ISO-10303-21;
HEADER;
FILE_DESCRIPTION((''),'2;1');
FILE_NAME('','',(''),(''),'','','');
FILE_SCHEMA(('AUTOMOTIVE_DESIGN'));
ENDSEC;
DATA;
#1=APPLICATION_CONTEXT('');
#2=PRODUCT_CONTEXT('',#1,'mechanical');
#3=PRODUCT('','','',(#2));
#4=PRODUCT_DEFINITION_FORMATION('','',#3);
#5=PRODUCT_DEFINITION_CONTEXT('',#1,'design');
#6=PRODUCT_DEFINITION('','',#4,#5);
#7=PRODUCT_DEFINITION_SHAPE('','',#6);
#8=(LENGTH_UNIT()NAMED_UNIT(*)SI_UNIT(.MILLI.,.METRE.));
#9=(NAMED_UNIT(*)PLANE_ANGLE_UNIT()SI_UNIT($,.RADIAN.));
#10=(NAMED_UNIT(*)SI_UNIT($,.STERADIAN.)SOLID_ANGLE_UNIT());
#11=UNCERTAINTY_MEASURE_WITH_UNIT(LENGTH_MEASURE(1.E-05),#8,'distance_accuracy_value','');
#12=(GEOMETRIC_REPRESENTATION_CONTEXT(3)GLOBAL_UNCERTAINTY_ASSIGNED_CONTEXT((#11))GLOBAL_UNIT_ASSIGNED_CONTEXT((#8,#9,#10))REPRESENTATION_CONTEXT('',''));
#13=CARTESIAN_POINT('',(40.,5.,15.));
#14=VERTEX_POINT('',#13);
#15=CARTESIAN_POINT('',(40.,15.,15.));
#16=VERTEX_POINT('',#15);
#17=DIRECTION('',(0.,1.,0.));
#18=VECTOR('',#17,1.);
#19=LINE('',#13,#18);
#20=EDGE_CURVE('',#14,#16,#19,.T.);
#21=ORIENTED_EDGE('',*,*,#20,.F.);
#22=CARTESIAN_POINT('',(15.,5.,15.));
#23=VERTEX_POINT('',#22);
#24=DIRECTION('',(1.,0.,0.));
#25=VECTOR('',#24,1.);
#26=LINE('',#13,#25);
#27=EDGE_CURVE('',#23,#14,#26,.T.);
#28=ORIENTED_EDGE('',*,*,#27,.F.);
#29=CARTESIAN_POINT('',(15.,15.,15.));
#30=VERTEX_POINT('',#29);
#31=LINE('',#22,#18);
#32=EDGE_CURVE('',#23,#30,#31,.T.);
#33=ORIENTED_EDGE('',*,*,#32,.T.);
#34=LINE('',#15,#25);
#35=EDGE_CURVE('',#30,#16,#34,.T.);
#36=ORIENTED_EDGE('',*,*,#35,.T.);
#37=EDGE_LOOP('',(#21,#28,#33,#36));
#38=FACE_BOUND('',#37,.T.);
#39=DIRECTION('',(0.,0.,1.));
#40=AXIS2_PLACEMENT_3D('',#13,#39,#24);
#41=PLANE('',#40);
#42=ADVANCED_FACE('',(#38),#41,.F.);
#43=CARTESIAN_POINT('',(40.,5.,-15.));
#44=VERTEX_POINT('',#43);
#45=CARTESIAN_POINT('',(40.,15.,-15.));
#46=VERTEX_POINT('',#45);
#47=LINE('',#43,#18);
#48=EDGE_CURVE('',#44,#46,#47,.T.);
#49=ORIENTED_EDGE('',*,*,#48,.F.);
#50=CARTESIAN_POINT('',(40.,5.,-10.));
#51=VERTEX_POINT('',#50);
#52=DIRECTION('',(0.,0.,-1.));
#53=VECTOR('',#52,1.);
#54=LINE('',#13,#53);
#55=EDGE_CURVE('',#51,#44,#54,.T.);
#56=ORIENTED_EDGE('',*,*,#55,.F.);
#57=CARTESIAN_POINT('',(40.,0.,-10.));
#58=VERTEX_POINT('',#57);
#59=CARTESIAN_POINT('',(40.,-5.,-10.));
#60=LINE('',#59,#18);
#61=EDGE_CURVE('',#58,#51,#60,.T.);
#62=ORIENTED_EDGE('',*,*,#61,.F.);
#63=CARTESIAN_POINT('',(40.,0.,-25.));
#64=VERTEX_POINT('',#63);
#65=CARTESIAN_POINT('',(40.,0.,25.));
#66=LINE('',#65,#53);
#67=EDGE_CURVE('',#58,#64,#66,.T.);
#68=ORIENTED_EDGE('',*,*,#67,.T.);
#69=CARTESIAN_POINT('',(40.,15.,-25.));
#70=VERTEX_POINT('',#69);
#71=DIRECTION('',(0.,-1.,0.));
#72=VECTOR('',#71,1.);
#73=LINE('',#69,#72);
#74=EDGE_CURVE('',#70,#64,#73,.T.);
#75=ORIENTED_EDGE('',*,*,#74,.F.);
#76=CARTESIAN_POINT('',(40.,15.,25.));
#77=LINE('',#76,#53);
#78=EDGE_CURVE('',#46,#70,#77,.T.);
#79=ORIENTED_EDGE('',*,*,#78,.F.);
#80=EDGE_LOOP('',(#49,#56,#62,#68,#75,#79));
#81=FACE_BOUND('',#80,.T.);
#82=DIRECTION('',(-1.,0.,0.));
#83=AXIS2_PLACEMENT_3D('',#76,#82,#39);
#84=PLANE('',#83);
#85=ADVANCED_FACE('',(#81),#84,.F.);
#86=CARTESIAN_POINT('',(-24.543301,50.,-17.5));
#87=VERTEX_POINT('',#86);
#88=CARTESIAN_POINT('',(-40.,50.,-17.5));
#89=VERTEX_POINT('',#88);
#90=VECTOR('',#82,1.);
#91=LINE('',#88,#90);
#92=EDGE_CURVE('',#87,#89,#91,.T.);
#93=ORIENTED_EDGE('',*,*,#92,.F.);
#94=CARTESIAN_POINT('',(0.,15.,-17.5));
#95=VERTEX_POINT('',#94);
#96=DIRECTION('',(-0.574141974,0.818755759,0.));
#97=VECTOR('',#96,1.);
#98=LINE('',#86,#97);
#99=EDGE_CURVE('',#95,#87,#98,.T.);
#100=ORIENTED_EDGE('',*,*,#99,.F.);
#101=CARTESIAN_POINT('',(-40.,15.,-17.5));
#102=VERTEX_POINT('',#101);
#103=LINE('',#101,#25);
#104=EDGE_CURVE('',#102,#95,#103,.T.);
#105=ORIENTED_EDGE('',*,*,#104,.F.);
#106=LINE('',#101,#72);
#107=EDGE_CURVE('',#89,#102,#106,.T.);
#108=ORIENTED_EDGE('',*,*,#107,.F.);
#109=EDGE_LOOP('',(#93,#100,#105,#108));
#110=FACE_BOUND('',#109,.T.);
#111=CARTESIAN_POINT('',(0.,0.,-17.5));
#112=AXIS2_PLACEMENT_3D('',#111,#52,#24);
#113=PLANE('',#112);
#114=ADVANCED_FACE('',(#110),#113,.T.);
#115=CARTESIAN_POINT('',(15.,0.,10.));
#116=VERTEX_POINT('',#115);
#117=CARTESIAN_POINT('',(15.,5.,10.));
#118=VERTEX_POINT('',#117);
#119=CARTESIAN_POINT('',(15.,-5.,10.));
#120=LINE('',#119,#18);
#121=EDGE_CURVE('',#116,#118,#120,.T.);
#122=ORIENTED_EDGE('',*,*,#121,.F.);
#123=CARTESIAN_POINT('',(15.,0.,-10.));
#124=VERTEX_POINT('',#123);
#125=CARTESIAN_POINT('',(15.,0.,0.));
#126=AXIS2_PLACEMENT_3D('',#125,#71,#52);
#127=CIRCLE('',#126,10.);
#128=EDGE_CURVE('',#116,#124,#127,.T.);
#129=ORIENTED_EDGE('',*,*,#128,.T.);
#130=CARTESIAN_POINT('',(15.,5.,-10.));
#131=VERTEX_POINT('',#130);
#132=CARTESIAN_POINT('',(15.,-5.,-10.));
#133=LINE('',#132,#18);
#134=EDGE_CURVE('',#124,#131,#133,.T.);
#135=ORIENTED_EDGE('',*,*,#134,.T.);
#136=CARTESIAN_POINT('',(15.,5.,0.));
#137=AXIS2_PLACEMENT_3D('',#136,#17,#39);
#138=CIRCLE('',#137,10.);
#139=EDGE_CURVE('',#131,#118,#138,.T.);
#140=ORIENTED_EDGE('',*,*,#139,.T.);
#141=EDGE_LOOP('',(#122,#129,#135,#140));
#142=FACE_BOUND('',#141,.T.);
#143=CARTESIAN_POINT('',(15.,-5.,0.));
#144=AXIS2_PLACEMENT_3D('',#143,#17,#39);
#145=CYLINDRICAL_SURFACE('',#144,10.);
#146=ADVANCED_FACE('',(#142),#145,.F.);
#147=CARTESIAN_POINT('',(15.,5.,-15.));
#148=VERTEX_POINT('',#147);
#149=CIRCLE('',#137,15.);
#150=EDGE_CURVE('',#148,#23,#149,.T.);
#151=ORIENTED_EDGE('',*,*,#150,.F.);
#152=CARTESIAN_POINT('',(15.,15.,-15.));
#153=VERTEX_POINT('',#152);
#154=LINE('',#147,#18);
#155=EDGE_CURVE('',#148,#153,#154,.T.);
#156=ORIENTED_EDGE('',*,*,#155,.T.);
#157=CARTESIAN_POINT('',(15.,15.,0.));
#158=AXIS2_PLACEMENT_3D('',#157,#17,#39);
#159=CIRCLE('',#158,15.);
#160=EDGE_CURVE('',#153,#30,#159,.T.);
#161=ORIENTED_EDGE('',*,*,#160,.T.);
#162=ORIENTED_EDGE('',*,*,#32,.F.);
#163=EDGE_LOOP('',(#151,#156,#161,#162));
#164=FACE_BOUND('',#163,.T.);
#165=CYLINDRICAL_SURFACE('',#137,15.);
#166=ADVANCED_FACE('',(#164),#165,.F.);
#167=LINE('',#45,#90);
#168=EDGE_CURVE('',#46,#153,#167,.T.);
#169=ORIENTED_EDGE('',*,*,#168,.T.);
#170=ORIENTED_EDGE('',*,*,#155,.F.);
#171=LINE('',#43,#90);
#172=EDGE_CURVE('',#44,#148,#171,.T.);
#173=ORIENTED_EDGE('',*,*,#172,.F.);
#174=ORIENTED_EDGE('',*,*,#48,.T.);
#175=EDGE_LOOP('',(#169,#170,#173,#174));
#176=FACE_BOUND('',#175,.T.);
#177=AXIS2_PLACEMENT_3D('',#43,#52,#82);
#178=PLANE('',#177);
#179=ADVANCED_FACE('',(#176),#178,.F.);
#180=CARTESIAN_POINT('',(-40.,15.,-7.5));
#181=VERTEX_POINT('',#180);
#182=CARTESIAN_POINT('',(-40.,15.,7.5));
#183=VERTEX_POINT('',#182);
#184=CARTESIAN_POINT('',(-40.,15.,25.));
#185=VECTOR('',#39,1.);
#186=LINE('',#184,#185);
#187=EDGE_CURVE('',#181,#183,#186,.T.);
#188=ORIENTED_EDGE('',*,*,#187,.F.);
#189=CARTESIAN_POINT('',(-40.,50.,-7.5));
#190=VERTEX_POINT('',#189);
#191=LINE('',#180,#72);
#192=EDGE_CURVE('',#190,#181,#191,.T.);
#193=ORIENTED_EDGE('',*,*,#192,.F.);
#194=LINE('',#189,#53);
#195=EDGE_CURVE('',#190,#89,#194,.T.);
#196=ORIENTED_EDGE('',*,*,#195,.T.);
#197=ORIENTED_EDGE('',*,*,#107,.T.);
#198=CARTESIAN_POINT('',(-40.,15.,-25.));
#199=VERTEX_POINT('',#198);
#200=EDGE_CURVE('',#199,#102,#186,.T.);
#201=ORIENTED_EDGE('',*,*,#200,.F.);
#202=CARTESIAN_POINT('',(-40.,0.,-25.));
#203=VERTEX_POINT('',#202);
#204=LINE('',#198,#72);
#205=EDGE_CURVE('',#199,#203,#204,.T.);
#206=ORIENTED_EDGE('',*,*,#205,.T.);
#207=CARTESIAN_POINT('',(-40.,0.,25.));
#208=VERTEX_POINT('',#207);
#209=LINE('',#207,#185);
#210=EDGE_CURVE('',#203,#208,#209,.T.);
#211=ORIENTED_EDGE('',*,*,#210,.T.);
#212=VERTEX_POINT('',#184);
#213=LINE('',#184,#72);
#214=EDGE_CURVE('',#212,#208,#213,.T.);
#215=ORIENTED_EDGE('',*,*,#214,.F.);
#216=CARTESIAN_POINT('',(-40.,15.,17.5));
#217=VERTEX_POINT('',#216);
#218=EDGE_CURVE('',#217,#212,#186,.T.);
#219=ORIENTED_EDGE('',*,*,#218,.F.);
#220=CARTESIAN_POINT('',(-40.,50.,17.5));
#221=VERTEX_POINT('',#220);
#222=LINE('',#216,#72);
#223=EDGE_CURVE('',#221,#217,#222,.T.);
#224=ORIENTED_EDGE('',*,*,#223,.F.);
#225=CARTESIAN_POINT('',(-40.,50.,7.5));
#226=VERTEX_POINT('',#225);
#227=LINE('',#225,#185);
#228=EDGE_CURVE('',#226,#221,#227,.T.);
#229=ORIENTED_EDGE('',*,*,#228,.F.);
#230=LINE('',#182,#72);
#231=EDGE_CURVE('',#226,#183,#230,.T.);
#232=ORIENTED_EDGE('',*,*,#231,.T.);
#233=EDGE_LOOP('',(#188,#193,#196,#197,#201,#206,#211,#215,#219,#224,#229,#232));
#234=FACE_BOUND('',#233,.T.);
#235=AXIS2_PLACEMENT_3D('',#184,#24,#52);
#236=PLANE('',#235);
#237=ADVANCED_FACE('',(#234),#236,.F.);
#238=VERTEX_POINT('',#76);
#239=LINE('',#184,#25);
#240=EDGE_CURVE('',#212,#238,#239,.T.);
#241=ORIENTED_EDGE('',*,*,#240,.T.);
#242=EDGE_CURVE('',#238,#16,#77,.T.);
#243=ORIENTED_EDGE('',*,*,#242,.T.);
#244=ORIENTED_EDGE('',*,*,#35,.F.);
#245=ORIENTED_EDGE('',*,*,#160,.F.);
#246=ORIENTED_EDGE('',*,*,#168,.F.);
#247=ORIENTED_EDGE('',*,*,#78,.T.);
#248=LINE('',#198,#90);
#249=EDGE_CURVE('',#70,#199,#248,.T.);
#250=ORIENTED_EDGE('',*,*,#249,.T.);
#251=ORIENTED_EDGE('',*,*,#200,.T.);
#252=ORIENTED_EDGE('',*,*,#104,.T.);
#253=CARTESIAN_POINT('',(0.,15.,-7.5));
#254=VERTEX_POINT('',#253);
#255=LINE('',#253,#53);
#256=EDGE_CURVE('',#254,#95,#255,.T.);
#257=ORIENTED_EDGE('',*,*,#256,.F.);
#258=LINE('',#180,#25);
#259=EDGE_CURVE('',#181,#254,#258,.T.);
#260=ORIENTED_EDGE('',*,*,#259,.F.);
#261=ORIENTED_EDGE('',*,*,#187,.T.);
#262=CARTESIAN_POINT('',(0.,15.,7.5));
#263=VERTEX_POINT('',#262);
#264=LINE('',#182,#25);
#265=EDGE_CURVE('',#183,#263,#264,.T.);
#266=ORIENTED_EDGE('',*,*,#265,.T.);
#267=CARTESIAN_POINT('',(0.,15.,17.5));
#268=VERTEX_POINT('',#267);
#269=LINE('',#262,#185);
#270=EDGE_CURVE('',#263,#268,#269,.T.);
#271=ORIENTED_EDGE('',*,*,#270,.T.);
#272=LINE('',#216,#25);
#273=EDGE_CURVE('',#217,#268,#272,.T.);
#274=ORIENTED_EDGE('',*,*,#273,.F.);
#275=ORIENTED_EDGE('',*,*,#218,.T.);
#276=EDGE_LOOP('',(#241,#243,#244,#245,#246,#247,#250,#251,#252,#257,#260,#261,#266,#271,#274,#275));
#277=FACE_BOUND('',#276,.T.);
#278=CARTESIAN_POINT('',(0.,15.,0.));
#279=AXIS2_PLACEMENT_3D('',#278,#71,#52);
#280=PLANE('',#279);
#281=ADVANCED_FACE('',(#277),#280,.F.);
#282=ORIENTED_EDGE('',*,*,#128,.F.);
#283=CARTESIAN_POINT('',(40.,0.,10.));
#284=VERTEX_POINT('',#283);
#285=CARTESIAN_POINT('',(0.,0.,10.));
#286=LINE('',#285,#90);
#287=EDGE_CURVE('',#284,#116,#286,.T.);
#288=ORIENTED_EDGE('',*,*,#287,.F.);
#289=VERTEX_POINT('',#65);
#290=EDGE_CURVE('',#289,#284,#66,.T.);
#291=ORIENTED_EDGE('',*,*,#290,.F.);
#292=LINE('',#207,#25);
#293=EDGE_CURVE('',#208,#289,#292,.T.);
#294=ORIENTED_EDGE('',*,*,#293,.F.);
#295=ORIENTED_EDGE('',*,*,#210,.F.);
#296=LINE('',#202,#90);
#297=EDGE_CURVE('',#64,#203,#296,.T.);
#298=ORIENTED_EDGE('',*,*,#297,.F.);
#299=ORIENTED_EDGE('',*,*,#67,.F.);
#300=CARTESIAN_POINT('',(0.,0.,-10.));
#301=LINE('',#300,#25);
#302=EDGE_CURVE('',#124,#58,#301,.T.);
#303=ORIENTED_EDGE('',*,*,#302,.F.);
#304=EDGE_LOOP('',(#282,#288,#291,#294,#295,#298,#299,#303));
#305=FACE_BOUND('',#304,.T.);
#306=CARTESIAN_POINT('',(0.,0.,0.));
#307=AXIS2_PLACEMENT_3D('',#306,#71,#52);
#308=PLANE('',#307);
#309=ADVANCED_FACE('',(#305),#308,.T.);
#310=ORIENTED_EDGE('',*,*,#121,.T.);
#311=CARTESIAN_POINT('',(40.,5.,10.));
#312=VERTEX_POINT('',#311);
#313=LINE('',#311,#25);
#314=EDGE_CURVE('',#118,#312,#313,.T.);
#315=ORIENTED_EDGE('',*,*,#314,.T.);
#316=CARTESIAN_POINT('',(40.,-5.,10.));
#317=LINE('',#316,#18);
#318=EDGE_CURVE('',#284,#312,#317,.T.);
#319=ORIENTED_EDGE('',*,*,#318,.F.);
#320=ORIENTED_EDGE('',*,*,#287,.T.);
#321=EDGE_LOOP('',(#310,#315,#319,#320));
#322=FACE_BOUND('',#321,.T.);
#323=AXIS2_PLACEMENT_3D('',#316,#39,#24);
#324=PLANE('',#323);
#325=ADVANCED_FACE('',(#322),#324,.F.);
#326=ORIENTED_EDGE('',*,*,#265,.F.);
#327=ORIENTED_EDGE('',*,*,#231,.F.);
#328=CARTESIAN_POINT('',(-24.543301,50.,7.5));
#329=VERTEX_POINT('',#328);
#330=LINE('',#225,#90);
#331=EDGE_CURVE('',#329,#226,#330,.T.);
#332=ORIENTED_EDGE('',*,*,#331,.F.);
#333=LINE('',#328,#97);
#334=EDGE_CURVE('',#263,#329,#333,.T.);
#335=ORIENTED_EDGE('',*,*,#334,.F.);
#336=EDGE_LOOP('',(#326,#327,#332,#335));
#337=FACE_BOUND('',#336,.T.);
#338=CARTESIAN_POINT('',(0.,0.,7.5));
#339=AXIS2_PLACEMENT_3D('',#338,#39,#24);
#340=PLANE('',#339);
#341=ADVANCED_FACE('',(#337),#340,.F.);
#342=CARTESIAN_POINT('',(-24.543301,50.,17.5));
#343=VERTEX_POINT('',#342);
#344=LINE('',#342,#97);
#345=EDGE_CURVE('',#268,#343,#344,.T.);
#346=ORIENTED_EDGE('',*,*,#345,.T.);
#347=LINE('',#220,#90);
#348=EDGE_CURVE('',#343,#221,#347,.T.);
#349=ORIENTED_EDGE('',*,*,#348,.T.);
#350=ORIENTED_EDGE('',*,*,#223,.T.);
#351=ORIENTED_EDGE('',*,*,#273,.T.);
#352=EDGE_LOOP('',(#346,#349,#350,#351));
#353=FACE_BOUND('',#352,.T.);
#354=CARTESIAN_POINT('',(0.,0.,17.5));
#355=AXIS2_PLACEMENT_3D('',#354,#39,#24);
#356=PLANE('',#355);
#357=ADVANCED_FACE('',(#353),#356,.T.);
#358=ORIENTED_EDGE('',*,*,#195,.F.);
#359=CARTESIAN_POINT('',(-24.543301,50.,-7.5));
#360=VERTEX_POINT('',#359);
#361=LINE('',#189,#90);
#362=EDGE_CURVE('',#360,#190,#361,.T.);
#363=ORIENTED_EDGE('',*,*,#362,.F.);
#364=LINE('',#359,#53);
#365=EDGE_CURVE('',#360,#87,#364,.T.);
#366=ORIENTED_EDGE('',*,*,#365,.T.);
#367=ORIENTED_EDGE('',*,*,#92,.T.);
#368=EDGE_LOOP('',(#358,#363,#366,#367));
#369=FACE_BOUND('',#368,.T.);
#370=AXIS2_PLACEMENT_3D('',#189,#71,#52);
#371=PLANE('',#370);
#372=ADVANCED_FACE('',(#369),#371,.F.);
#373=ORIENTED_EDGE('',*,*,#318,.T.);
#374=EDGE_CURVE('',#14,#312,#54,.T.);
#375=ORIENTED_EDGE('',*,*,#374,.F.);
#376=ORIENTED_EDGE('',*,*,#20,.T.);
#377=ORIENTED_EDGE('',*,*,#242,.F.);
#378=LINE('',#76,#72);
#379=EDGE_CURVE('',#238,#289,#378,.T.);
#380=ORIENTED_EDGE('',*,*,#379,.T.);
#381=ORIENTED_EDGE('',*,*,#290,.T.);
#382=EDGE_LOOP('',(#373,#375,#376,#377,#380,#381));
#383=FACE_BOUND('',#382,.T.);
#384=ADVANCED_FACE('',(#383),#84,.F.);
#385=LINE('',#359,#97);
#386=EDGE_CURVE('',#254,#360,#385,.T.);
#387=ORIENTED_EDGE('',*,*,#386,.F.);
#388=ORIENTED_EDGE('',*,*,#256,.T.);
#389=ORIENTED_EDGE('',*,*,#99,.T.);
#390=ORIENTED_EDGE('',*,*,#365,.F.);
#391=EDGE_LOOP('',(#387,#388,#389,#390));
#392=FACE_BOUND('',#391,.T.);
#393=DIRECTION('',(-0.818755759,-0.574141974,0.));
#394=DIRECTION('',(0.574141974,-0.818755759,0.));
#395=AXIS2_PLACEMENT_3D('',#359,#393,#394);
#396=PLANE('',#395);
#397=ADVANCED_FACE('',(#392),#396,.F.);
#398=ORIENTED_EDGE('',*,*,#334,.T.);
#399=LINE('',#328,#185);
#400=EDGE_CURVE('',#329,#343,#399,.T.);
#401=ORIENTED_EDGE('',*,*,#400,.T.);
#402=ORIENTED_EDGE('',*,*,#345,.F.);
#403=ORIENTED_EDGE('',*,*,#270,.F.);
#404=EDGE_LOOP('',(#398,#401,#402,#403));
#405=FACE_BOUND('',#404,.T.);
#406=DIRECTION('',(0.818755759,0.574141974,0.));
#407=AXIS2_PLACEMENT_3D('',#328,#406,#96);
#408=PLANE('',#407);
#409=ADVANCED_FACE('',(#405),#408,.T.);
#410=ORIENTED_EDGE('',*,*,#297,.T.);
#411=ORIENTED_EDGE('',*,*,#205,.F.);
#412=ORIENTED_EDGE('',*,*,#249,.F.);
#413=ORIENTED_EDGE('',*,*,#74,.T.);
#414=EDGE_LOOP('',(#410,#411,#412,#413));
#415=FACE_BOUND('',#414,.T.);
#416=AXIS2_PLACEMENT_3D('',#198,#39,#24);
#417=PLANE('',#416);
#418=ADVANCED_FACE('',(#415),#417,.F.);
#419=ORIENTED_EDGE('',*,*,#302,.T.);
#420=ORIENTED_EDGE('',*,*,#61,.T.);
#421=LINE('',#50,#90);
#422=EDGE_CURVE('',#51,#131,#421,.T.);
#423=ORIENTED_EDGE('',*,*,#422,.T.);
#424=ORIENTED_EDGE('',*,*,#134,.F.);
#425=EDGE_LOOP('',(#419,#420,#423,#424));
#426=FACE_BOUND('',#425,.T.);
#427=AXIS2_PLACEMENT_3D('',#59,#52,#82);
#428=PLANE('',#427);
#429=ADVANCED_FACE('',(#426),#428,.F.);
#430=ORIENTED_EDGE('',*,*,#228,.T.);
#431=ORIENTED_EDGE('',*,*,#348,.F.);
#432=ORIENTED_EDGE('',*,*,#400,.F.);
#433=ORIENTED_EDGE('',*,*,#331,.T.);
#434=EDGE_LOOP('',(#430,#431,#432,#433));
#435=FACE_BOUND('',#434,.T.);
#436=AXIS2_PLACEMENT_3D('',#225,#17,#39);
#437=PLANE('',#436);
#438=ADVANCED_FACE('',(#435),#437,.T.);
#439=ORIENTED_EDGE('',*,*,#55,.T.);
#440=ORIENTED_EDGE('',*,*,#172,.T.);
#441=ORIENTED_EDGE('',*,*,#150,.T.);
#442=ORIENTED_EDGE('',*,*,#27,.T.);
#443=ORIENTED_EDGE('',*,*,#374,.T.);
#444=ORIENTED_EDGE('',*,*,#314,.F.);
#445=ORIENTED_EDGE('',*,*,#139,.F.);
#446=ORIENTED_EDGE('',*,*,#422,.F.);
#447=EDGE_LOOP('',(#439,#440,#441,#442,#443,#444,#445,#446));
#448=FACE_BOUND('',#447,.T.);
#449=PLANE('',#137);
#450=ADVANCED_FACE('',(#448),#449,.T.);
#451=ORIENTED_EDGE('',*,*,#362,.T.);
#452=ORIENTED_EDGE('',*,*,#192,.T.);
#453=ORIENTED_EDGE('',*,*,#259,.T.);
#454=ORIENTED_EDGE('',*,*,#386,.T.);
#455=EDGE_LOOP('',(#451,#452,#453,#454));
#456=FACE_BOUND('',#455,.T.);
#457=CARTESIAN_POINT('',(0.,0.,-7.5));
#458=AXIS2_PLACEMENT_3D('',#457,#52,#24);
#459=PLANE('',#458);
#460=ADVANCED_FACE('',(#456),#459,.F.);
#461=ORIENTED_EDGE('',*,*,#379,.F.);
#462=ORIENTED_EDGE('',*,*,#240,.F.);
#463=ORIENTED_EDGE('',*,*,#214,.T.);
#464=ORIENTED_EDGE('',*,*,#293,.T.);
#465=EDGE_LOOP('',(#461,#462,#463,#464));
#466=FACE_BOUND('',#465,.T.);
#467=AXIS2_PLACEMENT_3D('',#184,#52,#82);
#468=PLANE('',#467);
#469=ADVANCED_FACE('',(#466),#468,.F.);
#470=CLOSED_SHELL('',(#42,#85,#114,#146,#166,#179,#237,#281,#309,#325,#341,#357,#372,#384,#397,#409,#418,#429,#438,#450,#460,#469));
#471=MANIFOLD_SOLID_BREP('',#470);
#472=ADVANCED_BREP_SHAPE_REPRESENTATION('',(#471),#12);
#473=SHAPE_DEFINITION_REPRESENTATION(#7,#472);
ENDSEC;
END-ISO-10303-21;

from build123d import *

# Parameters (mm, degrees)
SKETCH1_W           = 80
SKETCH1_H           = 50
BOSS_EXTRUDE1_DEPTH = 15
CUT_EXTRUDE2_DEPTH  = 10
CUT_EXTRUDE3_DEPTH  = 10
BOSS_EXTRUDE2_DEPTH = 10


with BuildPart() as part:
    # Sketch1 → Boss-Extrude1 (new body)
    with BuildSketch(Plane(origin=(0, 0, 0), x_dir=(1, 0, 0), z_dir=(0, 1, 0))):
        Rectangle(SKETCH1_W, SKETCH1_H)
    extrude(amount=BOSS_EXTRUDE1_DEPTH)

    # Sketch6 → Cut-Extrude2 (cut)
    with BuildSketch(Plane(origin=(0, 15, 0), x_dir=(1, 0, 0), z_dir=(0, 1, 0))):
        with BuildLine():
            Line((40, -15), (15, -15))
            ThreePointArc((15, -15), (0, 0), (15, 15))
            Line((15, 15), (40, 15))
            Line((40, 15), (40, -15))
        make_face()
    extrude(amount=-CUT_EXTRUDE2_DEPTH, mode=Mode.SUBTRACT)

    # Sketch8 → Cut-Extrude3 (cut)
    with BuildSketch(Plane(origin=(0, 5, 0), x_dir=(1, 0, 0), z_dir=(0, 1, 0))):
        with BuildLine():
            Line((40, -10), (15, -10))
            ThreePointArc((15, -10), (5, 0), (15, 10))
            Line((15, 10), (40, 10))
            Line((40, 10), (40, -10))
        make_face()
    extrude(amount=-CUT_EXTRUDE3_DEPTH, mode=Mode.SUBTRACT)

    # Sketch9 → Boss-Extrude2 (add)
    with BuildSketch(Plane.XY.offset(17.5)):
        Polygon((-40, 15), (-40, 50), (-24.543301065, 50), (0, 15), align=None)
    boss_extrude2 = extrude(amount=-BOSS_EXTRUDE2_DEPTH)

    # Mirror1: Boss-Extrude2 across plane
    add(boss_extrude2.mirror(Plane.XY))


solid = part.part
